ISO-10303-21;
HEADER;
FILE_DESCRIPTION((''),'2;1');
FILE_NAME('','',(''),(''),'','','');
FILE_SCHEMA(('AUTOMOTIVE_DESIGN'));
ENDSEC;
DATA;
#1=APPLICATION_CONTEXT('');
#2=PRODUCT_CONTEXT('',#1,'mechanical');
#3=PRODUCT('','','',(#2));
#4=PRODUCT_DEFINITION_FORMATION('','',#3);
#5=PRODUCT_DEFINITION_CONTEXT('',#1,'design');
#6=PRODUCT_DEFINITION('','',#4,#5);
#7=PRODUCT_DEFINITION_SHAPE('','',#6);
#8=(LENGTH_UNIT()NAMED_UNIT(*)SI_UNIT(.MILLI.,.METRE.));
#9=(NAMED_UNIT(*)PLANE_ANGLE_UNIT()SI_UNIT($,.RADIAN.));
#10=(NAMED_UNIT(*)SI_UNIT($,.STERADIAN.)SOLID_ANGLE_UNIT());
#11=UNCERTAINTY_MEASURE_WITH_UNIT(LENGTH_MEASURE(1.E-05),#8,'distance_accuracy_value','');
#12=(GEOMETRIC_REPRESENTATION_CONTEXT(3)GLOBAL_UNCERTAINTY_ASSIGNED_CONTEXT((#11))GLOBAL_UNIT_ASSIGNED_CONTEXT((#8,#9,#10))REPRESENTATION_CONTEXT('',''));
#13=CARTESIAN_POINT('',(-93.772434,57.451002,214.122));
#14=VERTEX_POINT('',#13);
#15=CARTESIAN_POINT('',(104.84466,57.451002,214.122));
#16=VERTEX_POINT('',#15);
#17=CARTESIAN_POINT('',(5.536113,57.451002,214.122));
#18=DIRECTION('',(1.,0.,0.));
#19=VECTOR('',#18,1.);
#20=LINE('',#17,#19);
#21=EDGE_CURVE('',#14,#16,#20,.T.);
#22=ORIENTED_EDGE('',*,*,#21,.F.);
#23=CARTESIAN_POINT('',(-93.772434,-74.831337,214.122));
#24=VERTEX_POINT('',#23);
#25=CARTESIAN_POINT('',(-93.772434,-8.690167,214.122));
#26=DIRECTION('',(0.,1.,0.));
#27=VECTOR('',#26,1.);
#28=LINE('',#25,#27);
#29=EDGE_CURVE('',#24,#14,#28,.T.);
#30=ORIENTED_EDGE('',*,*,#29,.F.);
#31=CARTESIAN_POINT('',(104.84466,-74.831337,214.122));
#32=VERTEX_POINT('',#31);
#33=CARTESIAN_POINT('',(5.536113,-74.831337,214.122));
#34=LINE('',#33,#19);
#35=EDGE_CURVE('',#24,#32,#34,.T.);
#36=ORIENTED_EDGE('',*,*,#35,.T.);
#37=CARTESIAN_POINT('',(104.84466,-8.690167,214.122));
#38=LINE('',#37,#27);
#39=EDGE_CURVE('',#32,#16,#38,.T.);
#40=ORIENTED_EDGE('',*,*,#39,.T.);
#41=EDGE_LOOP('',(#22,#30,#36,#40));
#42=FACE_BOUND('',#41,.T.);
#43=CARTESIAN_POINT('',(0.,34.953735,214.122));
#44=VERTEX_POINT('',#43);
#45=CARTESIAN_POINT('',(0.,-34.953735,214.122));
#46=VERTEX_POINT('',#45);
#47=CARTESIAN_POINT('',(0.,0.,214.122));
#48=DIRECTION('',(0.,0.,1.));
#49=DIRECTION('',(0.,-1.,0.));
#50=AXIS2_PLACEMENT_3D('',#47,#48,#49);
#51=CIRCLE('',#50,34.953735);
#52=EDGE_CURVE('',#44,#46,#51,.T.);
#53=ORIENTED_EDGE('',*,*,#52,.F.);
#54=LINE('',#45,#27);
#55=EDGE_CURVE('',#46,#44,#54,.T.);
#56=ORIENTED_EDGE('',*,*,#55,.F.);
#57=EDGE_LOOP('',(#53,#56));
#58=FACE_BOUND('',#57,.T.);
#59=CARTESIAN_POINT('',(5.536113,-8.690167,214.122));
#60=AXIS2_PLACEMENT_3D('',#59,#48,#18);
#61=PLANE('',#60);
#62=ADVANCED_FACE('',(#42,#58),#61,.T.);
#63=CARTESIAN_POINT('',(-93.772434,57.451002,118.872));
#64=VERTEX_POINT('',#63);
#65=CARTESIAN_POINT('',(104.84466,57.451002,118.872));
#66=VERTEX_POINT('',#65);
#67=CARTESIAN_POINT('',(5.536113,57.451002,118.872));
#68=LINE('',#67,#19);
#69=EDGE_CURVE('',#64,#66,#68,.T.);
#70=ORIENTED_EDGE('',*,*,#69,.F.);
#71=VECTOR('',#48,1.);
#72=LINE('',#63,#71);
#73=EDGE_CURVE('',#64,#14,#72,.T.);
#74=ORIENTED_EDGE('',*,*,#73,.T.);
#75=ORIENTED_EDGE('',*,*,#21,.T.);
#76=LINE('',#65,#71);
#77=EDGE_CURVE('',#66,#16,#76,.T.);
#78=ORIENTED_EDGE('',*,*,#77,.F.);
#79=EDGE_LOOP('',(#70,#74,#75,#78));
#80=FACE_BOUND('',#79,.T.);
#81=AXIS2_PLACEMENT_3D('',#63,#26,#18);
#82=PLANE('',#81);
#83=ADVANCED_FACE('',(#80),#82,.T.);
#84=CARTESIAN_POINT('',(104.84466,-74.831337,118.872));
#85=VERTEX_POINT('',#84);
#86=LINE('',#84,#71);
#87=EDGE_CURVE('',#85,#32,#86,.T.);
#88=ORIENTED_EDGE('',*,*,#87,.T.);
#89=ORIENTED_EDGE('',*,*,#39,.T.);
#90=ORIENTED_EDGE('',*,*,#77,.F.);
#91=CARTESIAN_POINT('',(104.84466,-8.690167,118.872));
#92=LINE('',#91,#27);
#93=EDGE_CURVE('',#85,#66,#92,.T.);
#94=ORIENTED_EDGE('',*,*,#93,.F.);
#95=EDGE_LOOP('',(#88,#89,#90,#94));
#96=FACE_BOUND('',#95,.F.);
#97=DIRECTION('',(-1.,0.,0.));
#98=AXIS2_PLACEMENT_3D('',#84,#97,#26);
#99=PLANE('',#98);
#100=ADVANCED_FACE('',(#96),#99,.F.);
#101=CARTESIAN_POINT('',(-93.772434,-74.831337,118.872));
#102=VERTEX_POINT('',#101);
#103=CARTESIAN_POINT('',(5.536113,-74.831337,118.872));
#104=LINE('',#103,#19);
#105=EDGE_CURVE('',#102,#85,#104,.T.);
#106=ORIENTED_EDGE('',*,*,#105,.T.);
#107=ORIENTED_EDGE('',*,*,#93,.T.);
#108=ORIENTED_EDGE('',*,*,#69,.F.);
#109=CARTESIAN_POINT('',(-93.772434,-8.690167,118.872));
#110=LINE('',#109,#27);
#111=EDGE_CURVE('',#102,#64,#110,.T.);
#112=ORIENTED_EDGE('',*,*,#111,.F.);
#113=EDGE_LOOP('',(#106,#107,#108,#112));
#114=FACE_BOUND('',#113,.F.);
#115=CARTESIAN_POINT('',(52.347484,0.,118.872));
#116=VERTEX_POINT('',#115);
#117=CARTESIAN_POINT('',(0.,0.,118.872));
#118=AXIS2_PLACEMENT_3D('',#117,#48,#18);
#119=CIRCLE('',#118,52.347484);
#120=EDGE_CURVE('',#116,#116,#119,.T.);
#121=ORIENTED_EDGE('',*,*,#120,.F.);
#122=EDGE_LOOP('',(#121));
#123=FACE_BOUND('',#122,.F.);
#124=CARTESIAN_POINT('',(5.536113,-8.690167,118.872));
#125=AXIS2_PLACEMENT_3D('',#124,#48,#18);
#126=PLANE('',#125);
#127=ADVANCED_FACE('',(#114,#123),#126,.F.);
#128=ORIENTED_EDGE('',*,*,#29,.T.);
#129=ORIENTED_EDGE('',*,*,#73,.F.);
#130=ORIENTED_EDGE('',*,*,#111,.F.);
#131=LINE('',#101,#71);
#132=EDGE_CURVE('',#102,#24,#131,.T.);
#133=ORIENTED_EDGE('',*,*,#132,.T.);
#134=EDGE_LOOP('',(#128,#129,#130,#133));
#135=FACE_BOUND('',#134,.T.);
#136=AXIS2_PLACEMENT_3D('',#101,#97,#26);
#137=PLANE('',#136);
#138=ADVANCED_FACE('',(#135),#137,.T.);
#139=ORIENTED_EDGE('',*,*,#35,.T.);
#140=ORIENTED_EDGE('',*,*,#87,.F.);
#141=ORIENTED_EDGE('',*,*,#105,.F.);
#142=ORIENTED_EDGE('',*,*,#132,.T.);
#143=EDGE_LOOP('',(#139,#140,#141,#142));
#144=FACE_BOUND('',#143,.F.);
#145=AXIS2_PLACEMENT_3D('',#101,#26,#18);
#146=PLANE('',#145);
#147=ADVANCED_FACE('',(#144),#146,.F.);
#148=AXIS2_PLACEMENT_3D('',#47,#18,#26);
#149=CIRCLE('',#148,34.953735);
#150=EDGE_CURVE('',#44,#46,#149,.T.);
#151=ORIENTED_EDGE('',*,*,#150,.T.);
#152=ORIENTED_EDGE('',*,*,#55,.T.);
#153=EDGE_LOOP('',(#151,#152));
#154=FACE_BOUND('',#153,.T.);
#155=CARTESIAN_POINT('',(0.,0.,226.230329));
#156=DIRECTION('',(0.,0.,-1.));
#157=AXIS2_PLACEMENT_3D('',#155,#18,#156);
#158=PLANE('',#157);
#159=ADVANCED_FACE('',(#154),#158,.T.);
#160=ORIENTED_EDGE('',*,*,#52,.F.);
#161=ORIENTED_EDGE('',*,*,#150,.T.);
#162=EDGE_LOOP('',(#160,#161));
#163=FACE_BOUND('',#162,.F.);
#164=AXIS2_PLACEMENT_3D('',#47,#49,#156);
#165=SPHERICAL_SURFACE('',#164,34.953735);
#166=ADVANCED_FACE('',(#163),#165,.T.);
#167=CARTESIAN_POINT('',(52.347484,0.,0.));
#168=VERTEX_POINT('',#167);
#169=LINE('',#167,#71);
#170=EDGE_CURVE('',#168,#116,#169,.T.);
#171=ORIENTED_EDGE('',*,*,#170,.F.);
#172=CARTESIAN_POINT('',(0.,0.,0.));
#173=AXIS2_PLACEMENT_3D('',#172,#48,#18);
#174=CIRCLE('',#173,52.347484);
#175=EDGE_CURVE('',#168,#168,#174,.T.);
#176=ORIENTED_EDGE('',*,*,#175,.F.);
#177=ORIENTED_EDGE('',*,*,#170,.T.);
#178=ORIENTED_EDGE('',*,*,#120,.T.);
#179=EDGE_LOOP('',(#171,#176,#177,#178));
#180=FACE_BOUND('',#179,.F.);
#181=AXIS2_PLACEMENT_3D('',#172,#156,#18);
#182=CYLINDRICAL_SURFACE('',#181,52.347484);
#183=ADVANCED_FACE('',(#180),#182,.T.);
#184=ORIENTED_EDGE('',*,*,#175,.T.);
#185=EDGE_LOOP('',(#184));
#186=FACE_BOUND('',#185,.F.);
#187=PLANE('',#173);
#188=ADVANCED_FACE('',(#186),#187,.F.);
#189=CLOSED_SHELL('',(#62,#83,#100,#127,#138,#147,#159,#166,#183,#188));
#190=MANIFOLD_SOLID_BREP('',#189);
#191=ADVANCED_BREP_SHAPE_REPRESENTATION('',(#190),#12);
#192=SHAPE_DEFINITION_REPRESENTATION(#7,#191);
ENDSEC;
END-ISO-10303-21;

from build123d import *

# Parameters (mm, degrees)
F0_R          = 52.3474844596
F1_DEPTH      = 118.872
F2_W          = 198.6170932651
F2_H          = 132.2823390365
F3_DEPTH      = 95.25
F5_ANGLE_BACK = 90
F5_ANGLE      = 180


with BuildPart() as f1:
    # F0 (on Top) → F1 (new body)
    with BuildSketch(Plane.XY):
        Circle(F0_R)
    extrude(amount=F1_DEPTH)

    # F2 (on face) → F3 (join)
    with BuildSketch(Plane.XY.offset(118.872)):
        with Locations((5.5361129344, -8.6901672184)):
            Rectangle(F2_W, F2_H)
    extrude(amount=F3_DEPTH)

    # F4 (on face) → F5 (revolve)
    with BuildSketch(Plane.XY.offset(214.122), mode=Mode.PRIVATE) as f5_sk:
        with BuildLine():
            Line((0, -34.9537354881), (0, 34.9537354881))
            ThreePointArc((0, 34.9537354881), (-34.9537354881, 0), (0, -34.9537354881))
        make_face()
    revolve(f5_sk.sketch.rotate(Axis((0, 0, 214.122), (0, 1, 0)), -F5_ANGLE_BACK), axis=Axis((0, 0, 214.122), (0, 1, 0)), revolution_arc=F5_ANGLE)


solid = f1.part
